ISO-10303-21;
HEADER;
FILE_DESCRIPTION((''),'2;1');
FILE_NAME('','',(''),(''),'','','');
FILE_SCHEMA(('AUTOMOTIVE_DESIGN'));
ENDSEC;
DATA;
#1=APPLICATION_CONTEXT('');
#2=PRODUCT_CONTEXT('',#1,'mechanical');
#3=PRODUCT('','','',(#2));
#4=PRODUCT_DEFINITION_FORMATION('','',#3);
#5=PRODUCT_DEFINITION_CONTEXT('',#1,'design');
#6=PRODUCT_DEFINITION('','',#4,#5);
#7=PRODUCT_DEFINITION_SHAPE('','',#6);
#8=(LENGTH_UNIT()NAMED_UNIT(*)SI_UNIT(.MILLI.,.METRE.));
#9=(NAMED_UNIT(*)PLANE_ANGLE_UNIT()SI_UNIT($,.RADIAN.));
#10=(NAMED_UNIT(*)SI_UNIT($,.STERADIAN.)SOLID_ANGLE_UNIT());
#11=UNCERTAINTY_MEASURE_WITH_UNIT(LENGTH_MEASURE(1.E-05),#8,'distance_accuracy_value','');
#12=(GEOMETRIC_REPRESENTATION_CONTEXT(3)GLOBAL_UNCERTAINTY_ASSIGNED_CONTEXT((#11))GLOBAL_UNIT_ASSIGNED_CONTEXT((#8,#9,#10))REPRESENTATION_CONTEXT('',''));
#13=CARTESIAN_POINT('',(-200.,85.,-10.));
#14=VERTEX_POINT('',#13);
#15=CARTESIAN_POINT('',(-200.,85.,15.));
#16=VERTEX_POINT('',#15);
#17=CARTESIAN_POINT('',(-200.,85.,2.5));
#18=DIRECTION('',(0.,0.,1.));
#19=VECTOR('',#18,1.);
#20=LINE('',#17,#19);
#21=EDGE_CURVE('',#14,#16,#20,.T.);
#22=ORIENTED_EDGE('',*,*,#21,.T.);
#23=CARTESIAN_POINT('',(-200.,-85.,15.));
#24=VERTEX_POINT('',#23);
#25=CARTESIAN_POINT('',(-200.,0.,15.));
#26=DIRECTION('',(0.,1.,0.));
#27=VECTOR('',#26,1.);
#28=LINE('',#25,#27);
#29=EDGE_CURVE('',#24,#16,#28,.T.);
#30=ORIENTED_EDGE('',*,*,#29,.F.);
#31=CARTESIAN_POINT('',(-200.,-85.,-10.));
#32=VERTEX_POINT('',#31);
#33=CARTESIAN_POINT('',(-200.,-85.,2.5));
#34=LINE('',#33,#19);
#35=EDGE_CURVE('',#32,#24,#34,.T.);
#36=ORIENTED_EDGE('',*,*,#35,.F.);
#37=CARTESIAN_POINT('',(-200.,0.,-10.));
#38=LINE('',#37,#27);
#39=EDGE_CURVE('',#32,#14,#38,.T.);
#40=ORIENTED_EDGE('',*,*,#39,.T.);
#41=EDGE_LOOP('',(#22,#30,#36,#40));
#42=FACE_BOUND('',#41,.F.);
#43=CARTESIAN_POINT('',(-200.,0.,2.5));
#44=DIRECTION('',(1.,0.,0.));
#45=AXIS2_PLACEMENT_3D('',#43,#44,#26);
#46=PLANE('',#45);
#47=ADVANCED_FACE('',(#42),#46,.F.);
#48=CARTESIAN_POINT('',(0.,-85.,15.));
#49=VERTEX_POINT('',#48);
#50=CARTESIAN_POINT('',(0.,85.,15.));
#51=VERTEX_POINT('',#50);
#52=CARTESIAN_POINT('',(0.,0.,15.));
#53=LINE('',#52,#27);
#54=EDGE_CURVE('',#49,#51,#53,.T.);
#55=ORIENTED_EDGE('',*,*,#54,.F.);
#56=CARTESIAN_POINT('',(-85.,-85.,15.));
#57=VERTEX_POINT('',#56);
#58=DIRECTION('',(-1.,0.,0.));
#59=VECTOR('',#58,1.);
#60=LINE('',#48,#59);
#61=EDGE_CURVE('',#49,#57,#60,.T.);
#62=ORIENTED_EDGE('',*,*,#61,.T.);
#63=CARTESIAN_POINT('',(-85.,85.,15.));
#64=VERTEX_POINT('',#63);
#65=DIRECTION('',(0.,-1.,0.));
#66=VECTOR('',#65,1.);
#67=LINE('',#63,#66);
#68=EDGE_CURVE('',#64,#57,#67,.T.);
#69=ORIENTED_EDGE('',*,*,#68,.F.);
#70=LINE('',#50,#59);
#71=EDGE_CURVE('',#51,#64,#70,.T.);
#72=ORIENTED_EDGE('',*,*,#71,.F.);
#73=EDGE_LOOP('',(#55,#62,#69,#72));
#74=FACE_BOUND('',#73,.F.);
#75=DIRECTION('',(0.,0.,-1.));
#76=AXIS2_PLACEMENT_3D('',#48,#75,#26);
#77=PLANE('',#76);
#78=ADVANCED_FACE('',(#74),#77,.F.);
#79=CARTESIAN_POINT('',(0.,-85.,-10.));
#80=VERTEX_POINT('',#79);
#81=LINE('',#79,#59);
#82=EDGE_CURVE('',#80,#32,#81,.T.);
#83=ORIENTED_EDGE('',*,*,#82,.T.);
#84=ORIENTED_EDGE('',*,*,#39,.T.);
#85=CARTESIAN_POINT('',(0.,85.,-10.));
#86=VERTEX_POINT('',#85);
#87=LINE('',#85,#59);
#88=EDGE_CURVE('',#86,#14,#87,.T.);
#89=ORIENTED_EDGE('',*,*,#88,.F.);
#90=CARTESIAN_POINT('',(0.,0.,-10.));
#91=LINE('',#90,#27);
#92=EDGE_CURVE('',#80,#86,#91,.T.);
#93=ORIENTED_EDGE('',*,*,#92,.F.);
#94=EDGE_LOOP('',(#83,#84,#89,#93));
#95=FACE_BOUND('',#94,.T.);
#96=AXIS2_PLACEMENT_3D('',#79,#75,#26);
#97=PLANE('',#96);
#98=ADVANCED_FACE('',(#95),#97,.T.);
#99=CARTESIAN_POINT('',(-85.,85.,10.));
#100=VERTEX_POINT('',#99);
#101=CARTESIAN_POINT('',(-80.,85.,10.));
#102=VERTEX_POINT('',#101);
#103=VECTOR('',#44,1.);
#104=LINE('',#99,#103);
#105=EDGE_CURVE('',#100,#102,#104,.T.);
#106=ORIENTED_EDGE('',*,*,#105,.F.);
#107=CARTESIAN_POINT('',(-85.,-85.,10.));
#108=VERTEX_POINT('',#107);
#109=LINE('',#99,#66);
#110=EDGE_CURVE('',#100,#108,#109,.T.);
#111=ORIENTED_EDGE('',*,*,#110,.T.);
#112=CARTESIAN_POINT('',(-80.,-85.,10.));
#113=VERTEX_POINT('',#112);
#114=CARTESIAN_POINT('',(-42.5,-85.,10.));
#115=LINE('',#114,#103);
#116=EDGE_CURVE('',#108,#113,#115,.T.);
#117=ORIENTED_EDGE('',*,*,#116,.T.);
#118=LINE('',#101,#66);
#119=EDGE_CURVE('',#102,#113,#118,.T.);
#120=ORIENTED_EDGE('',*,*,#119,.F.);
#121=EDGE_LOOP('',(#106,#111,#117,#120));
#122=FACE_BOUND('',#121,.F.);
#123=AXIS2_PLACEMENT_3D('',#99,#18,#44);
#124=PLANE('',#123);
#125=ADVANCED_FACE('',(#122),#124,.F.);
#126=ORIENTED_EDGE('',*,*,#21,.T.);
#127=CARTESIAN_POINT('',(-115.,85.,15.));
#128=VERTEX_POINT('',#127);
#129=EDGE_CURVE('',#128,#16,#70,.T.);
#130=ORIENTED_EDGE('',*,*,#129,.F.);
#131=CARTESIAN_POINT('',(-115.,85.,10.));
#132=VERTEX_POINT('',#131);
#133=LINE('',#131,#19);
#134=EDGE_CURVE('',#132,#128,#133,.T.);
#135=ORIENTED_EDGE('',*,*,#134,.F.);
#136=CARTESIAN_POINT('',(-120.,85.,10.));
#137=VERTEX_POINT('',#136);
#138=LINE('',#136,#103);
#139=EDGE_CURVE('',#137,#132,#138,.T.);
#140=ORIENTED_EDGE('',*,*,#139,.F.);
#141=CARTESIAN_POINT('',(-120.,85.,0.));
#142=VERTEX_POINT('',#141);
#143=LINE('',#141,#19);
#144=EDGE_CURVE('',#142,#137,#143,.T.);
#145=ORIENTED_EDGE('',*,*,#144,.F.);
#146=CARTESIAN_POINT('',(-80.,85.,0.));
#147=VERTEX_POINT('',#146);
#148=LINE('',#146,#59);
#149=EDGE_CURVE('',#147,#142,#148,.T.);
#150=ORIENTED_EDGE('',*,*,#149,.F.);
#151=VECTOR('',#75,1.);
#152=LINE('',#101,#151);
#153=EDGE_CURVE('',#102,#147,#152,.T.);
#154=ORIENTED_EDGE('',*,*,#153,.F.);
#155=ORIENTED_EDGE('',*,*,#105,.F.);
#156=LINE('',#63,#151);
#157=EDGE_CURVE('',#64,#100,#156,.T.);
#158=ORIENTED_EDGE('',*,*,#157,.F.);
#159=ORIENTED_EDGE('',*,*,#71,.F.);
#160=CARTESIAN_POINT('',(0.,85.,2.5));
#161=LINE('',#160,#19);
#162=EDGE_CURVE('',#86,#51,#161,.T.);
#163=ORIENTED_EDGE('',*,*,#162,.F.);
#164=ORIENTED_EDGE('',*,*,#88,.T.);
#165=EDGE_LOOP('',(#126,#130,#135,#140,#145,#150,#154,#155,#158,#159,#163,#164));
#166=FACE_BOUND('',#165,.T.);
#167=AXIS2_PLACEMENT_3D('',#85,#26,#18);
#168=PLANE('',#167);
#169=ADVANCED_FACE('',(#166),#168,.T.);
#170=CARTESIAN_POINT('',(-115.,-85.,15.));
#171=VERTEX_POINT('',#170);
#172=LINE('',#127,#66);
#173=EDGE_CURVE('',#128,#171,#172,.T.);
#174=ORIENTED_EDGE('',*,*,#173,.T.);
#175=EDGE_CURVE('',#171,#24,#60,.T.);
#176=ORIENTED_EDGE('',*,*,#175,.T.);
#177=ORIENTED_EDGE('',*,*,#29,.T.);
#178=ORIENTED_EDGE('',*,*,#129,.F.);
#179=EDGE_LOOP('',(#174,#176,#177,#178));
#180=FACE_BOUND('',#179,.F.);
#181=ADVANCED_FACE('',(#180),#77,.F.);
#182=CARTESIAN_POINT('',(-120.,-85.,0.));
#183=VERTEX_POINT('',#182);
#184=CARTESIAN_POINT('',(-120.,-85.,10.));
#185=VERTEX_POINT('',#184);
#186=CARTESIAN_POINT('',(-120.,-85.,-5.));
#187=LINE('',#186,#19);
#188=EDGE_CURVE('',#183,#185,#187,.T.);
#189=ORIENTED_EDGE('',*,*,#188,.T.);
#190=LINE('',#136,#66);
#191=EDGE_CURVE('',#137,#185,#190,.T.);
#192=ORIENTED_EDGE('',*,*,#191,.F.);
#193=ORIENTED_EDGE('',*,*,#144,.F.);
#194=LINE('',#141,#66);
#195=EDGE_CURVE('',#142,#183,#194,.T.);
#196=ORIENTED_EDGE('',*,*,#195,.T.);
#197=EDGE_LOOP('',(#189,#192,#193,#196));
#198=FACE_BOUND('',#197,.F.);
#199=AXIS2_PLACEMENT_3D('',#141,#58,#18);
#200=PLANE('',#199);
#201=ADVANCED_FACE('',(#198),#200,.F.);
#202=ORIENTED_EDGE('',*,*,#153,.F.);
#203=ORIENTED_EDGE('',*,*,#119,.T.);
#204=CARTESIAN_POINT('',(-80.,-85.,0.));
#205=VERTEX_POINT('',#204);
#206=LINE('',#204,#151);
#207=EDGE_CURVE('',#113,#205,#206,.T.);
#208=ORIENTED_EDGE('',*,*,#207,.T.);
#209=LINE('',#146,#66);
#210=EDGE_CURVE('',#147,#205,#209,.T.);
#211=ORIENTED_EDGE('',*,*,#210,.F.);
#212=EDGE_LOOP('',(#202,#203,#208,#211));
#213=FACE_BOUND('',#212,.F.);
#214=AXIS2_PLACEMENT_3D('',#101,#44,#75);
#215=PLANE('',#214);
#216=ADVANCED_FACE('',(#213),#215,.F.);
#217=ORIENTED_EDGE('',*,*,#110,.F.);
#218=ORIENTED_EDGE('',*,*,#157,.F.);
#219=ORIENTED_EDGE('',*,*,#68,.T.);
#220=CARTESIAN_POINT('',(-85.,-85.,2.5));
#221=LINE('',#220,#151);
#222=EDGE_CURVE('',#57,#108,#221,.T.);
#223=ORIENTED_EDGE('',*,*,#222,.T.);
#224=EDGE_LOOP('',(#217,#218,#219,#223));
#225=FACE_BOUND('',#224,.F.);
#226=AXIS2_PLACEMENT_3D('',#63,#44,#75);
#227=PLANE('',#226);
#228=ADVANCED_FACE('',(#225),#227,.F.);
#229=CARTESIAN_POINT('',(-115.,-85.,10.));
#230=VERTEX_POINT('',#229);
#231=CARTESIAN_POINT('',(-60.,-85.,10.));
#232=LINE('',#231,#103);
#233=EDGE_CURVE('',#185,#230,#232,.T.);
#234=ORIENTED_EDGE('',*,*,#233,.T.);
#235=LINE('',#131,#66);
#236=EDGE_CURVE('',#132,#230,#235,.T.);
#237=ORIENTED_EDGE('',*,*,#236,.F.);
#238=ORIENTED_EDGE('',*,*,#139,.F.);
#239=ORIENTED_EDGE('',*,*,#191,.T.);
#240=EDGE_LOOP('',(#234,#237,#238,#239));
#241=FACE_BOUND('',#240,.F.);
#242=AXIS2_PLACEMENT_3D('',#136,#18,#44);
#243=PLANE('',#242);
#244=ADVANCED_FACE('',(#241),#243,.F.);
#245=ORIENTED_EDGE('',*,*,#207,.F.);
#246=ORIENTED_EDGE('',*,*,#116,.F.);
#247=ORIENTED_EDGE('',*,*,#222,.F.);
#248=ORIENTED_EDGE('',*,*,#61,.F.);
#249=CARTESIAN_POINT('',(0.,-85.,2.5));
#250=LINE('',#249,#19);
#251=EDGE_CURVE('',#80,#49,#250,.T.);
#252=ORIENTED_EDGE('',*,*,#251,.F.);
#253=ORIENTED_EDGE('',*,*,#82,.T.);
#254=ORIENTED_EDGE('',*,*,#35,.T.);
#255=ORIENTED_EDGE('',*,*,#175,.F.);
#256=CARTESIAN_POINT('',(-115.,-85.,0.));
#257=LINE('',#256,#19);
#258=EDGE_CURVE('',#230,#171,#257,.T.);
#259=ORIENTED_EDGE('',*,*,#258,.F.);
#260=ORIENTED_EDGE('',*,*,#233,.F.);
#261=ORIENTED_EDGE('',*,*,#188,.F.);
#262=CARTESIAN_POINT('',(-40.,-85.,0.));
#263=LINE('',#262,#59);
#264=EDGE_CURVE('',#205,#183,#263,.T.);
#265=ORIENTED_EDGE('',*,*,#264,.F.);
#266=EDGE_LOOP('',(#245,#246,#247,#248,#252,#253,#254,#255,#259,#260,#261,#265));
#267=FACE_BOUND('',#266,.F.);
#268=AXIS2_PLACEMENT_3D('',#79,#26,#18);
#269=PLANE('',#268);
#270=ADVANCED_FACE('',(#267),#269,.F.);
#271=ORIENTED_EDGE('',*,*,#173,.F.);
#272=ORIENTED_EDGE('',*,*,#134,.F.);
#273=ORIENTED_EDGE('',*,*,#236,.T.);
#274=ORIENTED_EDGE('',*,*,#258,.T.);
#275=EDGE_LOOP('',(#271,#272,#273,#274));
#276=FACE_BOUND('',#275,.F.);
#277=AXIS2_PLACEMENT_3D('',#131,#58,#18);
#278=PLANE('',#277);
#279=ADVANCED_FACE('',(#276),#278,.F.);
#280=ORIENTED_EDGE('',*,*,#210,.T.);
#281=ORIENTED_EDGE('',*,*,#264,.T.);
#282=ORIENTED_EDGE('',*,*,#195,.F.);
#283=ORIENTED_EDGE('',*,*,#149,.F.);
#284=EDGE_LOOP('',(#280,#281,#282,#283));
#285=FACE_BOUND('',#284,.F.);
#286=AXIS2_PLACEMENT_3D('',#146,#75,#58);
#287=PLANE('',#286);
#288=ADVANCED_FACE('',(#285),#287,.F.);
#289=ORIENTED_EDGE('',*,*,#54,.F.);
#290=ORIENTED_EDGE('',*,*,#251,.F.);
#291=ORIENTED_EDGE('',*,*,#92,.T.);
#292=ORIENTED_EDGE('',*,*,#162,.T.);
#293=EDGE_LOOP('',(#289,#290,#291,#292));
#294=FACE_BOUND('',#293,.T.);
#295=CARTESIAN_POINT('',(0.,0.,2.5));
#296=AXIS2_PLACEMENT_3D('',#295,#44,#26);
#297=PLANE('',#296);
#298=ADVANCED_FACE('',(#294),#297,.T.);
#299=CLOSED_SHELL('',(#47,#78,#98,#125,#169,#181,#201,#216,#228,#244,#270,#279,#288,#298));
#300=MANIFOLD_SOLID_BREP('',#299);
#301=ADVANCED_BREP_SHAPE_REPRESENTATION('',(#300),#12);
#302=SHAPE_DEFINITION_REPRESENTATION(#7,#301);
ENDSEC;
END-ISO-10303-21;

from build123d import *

# Parameters (mm, degrees)
F0_W     = 170
F0_H     = 25
F1_DEPTH = 200
F3_DEPTH = 170.001


with BuildPart() as f1:
    # F0 (on Right) → F1 (new body)
    with BuildSketch(Plane.YZ):
        with Locations((0, 2.5)):
            Rectangle(F0_W, F0_H)
    extrude(amount=-F1_DEPTH)

    # F2 (on face) → F3 (cut, through all)
    with BuildSketch(Plane(origin=(0, 85, 0), x_dir=(-1, 0, 0), z_dir=(0, 1, 0))):
        Polygon((115, 10), (115, 15), (100, 15), (85, 15), (85, 10), (80, 10), (80, 0), (100, 0), (120, 0), (120, 10), align=None)
    extrude(amount=-F3_DEPTH, mode=Mode.SUBTRACT)


solid = f1.part
